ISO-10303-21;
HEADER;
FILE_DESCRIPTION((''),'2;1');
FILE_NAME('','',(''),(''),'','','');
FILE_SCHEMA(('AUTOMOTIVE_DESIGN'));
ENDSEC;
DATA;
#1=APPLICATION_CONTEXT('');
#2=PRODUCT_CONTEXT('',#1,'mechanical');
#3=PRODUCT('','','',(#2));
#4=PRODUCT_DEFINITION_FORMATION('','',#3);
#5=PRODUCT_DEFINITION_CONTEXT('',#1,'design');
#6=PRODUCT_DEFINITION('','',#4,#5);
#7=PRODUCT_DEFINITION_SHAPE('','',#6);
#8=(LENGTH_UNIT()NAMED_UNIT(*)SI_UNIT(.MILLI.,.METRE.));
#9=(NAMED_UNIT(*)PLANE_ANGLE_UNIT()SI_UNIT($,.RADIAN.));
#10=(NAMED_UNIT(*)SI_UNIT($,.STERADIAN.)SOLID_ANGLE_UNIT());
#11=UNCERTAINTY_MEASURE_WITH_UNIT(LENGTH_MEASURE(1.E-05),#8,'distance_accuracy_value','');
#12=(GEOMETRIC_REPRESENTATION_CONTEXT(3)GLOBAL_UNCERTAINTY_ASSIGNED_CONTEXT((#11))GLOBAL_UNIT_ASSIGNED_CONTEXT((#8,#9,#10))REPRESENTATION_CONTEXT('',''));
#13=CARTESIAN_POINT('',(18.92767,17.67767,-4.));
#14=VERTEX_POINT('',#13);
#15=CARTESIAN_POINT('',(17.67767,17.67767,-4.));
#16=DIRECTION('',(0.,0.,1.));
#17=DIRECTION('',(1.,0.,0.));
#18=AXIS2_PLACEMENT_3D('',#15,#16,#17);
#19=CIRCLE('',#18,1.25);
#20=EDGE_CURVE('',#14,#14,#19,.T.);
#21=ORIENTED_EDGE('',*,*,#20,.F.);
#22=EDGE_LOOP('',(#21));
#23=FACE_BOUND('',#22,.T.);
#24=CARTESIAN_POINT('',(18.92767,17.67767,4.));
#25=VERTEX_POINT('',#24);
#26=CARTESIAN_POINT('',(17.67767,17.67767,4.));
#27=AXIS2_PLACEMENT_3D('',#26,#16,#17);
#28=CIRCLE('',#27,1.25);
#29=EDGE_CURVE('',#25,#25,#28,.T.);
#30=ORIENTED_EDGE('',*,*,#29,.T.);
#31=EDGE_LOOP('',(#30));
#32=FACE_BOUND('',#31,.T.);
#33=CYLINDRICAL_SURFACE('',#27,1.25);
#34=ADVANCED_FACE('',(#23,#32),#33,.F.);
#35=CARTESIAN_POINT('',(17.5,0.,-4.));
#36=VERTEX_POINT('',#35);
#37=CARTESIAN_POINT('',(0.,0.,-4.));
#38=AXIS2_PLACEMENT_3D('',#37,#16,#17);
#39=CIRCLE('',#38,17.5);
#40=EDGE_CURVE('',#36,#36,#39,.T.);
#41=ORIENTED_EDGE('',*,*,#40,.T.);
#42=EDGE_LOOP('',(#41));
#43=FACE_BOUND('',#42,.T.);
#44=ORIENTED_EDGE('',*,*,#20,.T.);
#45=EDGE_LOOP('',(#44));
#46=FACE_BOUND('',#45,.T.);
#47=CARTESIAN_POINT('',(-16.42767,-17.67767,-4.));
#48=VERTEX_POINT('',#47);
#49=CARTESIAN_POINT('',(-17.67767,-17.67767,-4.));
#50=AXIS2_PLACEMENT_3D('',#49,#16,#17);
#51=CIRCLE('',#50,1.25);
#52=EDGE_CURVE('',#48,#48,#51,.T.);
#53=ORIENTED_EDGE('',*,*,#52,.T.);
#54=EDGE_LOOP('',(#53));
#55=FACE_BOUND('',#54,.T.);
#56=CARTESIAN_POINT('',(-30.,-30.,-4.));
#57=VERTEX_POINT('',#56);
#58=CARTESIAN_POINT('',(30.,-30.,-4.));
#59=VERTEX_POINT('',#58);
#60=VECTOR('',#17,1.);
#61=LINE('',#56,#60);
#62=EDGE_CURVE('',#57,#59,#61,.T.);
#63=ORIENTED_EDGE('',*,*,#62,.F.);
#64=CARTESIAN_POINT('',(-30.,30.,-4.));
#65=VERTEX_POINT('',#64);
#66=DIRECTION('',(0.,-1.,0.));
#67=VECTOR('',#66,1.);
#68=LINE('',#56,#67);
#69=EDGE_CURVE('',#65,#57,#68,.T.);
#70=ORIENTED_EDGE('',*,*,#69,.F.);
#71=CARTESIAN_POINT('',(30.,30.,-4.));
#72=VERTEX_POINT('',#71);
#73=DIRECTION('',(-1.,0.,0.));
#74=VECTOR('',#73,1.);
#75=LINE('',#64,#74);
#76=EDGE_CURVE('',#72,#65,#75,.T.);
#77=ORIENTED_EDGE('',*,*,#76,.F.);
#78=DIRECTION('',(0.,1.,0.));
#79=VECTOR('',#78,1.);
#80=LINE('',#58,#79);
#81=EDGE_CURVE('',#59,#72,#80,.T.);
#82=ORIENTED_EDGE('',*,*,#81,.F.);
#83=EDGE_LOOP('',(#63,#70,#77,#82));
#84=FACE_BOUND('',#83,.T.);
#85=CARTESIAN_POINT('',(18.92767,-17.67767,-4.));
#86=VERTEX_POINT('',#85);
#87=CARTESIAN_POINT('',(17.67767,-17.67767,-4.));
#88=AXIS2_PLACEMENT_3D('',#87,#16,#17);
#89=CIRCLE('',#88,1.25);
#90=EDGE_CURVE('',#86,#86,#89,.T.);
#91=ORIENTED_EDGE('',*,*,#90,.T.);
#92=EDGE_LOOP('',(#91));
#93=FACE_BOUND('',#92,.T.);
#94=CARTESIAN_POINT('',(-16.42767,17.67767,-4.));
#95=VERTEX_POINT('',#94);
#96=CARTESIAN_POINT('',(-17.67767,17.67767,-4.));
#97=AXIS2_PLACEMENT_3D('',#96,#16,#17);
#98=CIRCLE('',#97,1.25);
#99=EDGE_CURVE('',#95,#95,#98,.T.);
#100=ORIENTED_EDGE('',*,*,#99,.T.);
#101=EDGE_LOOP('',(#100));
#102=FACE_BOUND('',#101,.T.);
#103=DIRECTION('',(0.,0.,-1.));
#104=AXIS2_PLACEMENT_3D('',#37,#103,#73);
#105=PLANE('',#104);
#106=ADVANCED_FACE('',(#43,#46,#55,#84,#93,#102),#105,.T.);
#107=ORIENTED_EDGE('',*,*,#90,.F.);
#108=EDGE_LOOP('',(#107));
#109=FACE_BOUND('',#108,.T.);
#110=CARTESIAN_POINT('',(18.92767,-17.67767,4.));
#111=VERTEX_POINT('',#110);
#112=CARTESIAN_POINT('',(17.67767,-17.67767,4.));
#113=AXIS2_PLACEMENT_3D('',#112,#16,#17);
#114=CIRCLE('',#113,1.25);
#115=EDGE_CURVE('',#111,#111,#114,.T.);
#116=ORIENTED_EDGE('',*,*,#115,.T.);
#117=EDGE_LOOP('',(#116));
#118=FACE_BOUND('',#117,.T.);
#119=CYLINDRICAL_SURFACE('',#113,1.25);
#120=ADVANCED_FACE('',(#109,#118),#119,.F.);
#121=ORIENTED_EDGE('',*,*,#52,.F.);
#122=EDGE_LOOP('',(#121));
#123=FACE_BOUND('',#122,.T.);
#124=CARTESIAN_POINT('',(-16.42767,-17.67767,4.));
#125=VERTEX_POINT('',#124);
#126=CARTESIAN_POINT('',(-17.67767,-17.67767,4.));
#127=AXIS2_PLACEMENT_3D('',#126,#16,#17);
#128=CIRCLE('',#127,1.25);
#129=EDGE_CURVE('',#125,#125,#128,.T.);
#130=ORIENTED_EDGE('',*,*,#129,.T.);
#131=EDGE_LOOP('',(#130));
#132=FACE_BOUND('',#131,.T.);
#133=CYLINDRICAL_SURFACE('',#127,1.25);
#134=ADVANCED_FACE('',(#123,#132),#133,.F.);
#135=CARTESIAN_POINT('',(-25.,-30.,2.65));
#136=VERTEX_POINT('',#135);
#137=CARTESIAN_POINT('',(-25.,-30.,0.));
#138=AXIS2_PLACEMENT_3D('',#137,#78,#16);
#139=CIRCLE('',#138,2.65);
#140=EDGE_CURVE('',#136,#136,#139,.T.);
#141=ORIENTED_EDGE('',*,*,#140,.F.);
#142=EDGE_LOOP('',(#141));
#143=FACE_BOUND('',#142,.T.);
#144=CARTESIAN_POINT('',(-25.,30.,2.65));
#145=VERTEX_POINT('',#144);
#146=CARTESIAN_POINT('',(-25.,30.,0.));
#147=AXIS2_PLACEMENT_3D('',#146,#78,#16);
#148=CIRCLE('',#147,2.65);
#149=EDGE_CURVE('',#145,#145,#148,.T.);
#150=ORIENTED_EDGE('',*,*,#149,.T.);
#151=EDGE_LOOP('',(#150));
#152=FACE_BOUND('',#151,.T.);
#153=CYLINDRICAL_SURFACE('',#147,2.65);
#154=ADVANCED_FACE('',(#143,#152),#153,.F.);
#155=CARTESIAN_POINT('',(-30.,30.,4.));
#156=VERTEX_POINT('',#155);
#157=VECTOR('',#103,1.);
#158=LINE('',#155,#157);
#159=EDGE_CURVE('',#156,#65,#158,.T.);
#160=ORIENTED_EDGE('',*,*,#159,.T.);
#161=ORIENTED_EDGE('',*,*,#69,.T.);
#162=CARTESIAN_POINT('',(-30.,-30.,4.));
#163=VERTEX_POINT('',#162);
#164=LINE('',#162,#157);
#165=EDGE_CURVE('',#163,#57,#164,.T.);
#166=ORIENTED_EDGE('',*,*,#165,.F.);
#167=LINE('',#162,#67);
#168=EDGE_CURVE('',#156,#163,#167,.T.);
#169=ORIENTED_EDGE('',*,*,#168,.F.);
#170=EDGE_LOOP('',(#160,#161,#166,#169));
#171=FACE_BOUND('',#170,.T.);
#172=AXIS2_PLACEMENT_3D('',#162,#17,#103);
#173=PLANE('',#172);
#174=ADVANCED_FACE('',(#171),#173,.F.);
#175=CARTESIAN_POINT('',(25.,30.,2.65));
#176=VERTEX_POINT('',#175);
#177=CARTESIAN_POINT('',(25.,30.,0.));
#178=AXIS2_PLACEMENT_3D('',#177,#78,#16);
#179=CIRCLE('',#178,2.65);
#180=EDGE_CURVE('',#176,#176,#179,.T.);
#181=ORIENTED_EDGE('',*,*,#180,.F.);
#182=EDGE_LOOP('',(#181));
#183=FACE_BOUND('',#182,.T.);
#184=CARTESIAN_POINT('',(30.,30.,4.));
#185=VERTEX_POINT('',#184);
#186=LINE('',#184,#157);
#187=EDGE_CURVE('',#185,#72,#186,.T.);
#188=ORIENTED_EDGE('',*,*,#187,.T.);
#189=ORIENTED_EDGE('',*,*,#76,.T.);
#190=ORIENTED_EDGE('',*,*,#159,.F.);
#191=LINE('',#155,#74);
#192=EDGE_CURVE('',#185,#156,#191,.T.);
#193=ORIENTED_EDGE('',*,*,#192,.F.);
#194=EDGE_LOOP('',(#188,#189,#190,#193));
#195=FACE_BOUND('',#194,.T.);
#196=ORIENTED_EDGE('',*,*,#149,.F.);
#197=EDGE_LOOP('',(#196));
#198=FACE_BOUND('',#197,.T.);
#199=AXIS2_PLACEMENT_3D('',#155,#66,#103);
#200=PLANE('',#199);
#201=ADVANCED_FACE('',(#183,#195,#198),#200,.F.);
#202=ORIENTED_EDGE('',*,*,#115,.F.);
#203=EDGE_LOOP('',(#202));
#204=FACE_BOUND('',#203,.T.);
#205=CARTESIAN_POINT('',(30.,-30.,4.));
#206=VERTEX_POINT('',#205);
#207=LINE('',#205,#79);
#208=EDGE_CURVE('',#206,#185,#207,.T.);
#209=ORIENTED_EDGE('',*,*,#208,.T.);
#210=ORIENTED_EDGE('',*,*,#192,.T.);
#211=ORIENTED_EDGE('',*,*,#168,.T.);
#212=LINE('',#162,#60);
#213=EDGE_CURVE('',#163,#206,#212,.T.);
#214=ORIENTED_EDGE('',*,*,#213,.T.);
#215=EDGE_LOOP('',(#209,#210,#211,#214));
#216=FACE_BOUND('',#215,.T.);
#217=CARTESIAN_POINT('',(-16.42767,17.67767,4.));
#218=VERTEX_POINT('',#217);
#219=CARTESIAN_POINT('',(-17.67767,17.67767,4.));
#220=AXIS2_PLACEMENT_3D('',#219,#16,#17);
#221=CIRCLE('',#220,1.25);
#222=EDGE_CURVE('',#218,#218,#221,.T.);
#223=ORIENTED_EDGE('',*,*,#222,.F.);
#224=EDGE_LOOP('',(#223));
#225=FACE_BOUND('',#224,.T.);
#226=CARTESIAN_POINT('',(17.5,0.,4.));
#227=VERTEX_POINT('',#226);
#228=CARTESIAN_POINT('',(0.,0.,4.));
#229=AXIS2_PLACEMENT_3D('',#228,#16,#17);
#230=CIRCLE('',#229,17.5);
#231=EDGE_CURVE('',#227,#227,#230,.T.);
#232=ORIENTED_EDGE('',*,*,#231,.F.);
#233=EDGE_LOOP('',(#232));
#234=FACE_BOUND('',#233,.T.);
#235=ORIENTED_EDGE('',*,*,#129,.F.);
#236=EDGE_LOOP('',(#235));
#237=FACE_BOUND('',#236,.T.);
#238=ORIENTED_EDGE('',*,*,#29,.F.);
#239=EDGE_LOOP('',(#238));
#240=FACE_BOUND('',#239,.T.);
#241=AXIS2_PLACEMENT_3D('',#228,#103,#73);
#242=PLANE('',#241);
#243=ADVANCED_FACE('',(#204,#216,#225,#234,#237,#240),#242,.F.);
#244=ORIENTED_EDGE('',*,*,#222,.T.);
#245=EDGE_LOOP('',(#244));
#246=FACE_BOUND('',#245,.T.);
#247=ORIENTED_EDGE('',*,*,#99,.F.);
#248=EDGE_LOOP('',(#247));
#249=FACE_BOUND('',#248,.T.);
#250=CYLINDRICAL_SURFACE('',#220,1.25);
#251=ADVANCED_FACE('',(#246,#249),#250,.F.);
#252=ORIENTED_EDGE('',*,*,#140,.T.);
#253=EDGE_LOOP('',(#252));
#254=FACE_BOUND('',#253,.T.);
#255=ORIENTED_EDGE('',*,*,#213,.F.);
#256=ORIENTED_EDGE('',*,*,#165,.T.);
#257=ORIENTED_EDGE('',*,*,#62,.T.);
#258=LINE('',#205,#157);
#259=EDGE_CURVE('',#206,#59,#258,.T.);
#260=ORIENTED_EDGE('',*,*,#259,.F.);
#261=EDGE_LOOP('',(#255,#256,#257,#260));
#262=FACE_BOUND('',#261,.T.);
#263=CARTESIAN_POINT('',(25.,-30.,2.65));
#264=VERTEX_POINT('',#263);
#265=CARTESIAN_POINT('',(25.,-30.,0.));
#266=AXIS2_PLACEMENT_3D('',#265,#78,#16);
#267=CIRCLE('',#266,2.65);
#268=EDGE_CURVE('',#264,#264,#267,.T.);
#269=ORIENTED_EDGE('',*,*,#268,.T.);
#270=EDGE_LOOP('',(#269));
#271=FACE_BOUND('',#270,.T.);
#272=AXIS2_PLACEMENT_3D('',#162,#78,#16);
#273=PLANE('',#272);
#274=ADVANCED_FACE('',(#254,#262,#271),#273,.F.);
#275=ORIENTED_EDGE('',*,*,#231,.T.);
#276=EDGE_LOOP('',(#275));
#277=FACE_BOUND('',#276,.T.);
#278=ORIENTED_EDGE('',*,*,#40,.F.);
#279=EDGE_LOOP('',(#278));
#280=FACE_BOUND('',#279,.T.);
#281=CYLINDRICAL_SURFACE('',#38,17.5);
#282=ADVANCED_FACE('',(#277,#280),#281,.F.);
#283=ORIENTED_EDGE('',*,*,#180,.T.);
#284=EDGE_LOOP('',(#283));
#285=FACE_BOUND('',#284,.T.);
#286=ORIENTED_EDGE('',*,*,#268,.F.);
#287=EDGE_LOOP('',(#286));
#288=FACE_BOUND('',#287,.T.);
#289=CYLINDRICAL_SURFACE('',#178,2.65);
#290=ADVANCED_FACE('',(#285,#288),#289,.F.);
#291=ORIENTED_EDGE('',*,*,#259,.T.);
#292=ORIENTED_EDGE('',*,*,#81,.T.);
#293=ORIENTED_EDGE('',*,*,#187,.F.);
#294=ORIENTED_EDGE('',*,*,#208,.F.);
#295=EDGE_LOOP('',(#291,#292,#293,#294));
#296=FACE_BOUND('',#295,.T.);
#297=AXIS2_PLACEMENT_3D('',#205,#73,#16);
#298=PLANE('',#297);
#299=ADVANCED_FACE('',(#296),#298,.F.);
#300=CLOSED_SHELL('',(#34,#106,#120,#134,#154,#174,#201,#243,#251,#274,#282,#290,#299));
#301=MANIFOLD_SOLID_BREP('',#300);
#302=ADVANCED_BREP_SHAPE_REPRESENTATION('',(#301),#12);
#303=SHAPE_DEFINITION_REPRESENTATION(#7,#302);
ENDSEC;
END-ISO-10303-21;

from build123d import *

# Parameters (mm, degrees)
SKETCH_1_W          = 60
SKETCH_1_H          = 60
EXTRUDE_1_DEPTH     = 4
SKETCH_2_R          = 17.5
CUT_EXTRUDE_1_DEPTH = 44.17406629
HOLE_WIZARD_M3_1_D  = 2.5
HOLE_WIZARD_M5_1_D  = 5.3


with BuildPart() as part:
    # 草圖1 → 填料-伸長1 (new, symmetric)
    with BuildSketch(Plane.XY):
        Rectangle(SKETCH_1_W, SKETCH_1_H)
    extrude(amount=EXTRUDE_1_DEPTH, both=True)

    # 草圖2 → 除料-伸長1 (cut, through all)
    with BuildSketch(Plane.XY.offset(4)):
        Circle(SKETCH_2_R)
    extrude(amount=-CUT_EXTRUDE_1_DEPTH, mode=Mode.SUBTRACT)

    # M3 螺紋孔1 (through all)
    with Locations(Plane.XY.offset(4)):
        with Locations((17.67766953, -17.67766953), (17.67766953, 17.67766953), (-17.67766953, -17.67766953), (-17.67766953, 17.67766953)):
            Hole(HOLE_WIZARD_M3_1_D / 2)

    # M5 餘隙孔1 (through all)
    with Locations(Plane(origin=(0, 30, 0), x_dir=(1, 0, 0), z_dir=(0, 1, 0))):
        with Locations((-25, 0), (25, 0)):
            Hole(HOLE_WIZARD_M5_1_D / 2)


solid = part.part
